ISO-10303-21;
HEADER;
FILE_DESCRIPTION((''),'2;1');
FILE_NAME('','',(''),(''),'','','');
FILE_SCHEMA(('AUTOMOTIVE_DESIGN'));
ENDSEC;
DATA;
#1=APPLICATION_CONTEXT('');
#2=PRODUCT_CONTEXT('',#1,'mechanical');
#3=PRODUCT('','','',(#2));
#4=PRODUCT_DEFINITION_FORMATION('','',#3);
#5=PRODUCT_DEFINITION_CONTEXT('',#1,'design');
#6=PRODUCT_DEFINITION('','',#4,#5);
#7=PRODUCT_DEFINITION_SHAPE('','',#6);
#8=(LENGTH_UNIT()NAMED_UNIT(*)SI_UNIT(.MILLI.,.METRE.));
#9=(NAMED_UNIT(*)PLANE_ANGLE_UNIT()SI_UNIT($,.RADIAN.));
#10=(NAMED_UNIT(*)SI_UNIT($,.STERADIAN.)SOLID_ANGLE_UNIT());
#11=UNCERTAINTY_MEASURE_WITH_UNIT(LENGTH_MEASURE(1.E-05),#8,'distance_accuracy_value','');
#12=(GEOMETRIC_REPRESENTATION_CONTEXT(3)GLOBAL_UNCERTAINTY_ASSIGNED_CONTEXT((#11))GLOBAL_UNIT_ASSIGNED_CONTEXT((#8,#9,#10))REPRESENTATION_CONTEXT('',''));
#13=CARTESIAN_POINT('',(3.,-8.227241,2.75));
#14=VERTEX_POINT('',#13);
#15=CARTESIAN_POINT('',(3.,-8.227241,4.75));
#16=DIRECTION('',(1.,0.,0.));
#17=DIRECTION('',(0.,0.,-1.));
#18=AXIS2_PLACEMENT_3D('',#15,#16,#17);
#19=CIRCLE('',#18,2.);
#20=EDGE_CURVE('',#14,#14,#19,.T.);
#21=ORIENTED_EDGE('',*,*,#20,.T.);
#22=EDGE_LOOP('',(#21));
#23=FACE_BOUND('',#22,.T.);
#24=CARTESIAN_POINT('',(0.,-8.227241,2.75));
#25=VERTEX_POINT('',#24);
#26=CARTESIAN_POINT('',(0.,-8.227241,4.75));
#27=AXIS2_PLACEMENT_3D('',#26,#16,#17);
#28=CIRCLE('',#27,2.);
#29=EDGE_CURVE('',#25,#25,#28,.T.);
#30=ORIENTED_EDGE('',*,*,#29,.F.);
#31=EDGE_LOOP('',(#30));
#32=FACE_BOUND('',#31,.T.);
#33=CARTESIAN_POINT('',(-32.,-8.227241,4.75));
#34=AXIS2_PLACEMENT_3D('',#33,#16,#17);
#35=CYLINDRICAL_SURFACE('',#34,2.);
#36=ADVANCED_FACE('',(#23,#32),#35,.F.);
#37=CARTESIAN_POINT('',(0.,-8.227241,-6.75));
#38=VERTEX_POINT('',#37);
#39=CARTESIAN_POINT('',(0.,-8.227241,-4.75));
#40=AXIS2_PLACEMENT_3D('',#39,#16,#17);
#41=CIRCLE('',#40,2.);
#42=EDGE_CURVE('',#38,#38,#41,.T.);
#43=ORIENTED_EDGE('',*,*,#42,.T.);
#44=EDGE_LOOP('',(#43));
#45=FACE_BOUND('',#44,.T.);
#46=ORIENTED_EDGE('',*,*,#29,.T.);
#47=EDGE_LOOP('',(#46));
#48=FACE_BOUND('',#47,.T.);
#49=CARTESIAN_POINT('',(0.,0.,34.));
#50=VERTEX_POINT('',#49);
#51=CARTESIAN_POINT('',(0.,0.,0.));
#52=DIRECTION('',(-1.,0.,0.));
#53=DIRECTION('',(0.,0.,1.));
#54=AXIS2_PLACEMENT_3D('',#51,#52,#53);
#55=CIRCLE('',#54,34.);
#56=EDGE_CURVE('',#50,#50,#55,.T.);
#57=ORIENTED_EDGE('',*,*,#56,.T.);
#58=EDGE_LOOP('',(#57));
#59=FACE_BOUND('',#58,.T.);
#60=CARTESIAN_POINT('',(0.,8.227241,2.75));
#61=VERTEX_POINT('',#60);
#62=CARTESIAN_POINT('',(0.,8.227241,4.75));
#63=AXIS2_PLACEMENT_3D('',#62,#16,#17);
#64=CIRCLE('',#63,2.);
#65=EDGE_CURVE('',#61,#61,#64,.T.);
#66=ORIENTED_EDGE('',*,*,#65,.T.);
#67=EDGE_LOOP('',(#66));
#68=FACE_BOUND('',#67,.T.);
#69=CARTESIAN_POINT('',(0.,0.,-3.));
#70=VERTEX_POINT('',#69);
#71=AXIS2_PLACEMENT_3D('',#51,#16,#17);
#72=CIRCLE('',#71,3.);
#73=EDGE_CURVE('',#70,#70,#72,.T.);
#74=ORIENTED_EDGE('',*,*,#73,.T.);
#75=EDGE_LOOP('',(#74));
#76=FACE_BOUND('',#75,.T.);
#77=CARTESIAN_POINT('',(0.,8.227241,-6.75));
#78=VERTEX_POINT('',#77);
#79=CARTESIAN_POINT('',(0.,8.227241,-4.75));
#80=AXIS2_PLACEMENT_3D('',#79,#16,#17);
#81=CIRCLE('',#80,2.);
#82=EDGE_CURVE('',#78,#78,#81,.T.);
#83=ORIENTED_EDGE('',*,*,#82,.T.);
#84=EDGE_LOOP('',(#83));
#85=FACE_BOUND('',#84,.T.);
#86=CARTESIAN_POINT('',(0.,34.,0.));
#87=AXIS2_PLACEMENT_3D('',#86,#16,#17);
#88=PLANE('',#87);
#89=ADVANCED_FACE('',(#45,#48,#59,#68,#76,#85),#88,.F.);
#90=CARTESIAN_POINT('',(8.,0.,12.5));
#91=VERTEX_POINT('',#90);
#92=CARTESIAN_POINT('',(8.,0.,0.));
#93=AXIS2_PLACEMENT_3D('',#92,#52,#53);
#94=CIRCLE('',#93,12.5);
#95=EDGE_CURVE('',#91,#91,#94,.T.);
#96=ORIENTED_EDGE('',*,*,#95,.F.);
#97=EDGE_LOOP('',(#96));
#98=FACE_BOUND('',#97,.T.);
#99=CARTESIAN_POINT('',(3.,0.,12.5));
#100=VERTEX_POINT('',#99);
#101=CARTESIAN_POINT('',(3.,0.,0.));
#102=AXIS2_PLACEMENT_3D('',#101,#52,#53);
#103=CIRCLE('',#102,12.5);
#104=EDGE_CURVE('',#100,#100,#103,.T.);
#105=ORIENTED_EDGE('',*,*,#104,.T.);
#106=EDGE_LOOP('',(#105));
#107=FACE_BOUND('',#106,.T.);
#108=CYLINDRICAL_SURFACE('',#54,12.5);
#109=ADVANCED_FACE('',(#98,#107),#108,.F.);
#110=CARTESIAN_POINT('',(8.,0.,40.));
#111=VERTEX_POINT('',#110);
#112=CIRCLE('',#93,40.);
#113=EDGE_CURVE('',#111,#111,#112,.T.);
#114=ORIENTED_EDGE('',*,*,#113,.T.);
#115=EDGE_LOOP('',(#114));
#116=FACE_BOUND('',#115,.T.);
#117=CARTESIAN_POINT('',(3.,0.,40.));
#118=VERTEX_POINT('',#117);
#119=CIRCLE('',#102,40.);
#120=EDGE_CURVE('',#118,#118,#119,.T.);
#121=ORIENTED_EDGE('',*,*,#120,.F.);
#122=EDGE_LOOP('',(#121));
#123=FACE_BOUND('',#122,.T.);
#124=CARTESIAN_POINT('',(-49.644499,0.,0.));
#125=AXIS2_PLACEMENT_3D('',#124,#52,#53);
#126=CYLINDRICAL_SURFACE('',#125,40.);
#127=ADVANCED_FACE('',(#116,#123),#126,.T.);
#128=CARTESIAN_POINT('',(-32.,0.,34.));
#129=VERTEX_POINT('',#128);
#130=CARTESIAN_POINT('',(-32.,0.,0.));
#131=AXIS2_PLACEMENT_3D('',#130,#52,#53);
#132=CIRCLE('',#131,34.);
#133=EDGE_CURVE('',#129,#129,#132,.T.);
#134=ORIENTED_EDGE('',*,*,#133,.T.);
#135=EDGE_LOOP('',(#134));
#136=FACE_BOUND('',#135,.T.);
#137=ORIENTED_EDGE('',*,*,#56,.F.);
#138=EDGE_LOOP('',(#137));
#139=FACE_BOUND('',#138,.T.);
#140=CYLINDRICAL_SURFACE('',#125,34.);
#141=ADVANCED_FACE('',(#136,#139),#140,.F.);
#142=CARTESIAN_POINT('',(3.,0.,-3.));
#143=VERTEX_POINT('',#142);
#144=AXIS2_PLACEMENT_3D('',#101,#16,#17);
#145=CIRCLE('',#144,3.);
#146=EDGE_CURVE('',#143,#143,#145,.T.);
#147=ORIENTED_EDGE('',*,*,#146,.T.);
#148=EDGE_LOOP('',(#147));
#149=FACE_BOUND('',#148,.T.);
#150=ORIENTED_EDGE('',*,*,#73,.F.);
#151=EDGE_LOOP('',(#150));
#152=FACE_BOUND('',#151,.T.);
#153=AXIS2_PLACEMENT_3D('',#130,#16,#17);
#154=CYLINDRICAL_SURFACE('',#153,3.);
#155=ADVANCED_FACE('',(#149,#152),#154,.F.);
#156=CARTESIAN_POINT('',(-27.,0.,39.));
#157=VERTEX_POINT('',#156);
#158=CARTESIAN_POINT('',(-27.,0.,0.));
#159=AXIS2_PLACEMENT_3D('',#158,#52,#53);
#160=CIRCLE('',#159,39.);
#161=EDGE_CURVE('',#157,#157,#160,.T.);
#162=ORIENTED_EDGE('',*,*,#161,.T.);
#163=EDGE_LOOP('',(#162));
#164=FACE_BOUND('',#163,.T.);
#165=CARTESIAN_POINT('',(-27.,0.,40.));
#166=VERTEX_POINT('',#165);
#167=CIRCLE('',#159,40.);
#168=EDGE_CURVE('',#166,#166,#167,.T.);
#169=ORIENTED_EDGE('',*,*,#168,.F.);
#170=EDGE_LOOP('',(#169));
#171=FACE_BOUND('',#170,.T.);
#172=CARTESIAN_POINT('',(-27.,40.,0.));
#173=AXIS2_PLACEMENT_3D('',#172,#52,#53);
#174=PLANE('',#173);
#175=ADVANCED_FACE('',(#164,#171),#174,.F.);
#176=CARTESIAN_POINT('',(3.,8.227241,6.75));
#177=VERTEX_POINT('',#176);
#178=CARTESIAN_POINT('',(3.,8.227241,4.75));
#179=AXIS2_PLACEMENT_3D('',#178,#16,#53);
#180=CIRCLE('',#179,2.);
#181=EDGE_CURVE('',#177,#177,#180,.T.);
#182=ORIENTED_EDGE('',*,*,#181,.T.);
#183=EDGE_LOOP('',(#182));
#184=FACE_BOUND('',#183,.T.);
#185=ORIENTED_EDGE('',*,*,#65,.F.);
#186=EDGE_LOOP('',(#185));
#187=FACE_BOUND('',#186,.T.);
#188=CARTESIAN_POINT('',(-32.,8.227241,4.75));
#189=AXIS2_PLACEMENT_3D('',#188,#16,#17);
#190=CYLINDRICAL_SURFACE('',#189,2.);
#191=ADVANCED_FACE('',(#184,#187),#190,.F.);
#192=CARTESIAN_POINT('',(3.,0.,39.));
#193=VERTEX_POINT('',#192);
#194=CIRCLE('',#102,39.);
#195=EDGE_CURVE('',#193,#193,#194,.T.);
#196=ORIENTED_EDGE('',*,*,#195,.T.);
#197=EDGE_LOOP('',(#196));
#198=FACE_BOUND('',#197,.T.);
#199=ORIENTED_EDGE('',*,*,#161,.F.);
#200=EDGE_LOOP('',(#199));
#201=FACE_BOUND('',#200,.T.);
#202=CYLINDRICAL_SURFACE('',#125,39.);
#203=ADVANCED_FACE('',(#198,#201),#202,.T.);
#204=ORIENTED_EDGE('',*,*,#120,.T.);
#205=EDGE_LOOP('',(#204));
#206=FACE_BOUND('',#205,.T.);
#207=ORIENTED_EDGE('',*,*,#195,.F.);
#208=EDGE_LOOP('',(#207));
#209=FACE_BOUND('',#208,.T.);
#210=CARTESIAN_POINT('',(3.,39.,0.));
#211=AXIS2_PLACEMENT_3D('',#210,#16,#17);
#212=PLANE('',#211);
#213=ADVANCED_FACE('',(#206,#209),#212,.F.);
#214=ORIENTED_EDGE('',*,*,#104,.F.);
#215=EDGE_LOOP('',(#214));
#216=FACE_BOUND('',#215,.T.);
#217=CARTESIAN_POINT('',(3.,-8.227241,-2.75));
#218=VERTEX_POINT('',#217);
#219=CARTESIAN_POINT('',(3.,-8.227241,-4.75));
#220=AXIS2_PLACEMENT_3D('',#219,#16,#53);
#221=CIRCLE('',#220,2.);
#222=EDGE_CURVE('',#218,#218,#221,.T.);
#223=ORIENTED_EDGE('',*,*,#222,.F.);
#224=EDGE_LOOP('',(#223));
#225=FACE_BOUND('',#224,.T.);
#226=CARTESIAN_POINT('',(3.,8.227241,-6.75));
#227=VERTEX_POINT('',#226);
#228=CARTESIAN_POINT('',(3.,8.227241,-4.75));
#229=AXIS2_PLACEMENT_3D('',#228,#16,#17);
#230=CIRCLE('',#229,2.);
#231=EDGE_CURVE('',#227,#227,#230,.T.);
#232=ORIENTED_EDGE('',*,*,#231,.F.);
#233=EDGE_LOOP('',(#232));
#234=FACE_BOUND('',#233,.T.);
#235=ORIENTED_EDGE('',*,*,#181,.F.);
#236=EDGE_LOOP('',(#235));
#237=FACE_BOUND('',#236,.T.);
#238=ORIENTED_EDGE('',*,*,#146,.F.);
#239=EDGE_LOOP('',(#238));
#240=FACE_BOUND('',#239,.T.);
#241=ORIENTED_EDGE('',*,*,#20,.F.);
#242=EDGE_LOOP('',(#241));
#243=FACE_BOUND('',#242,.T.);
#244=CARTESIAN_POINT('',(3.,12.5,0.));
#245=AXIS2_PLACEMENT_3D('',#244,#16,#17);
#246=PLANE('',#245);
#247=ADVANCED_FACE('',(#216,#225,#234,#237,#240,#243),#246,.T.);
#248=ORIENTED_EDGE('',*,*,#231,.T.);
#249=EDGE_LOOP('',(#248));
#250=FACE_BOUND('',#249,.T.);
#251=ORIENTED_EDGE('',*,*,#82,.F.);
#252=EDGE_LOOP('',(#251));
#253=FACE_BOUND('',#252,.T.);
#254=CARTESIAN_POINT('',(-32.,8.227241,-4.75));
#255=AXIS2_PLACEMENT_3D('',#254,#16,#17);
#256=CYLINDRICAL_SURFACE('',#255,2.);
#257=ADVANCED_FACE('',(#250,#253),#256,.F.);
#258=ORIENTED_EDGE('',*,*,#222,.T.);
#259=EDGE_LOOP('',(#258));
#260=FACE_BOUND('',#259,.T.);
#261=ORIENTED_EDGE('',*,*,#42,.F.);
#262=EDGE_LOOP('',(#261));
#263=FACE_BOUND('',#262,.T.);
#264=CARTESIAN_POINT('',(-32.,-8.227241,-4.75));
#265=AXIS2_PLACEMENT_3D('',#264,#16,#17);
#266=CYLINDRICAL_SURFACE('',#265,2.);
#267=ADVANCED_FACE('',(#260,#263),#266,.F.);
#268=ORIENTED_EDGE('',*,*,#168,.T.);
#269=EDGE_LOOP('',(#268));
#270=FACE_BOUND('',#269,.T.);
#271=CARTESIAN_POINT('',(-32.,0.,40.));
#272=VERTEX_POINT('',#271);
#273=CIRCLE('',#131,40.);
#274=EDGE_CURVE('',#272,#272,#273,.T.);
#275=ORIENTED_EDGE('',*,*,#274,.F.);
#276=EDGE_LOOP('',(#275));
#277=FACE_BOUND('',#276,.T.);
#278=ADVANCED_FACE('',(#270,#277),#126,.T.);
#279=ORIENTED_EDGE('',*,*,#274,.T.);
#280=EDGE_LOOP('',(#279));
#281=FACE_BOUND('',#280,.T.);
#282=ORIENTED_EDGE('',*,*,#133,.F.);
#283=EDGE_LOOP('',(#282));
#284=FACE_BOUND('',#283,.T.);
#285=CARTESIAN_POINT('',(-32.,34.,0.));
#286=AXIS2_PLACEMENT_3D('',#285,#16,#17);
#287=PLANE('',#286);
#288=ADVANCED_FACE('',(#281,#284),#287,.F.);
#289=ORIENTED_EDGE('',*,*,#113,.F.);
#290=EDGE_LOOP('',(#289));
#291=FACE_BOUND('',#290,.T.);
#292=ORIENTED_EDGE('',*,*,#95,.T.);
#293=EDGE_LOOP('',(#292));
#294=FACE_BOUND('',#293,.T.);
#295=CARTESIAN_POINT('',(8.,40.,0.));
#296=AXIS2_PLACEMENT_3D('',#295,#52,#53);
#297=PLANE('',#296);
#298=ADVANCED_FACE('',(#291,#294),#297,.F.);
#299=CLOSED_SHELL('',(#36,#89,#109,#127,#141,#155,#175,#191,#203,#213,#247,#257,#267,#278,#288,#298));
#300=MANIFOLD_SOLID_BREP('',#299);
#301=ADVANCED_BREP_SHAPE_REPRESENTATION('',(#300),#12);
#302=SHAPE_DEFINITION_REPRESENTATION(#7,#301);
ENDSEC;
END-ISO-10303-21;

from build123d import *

# Parameters (mm, degrees)
ESQUISSE2_W             = 5
ESQUISSE2_H             = 12.5
ESQUISSE3_R             = 2
ENL_V_MAT_EXTRU_1_DEPTH = 36
ESQUISSE4_R             = 3
ENL_V_MAT_EXTRU_2_DEPTH = 36


with BuildPart() as part:
    # Esquisse1 → Révolution1 (revolve)
    with BuildSketch(Plane.XY):
        Polygon((0, 34), (0, 0), (8, 0), (8, 40), (3, 40), (3, 39), (-27, 39), (-27, 40), (-32, 40), (-32, 34), align=None)
    revolve(axis=Axis((-49.644499027, 0, 0), (1, 0, 0)))

    # Esquisse2 → Enlèvement de matière-Révolution1 (revolve, cut)
    with BuildSketch(Plane.XY):
        with Locations((5.5, 6.25)):
            Rectangle(ESQUISSE2_W, ESQUISSE2_H)
    revolve(axis=Axis((0, 0, 0), (1, 0, 0)), mode=Mode.SUBTRACT)

    # Esquisse3 → Enlèv. mat.-Extru.1 (cut, through all)
    with BuildSketch(Plane(origin=(3, 0, 0), x_dir=(0, 0, -1), z_dir=(1, 0, 0))):
        with Locations((4.75, 8.227241336)):
            Circle(ESQUISSE3_R)
        with Locations((-4.75, 8.227241336)):
            Circle(ESQUISSE3_R)
        with Locations((4.75, -8.227241336)):
            Circle(ESQUISSE3_R)
        with Locations((-4.75, -8.227241336)):
            Circle(ESQUISSE3_R)
    extrude(amount=-ENL_V_MAT_EXTRU_1_DEPTH, mode=Mode.SUBTRACT)

    # Esquisse4 → Enlèv. mat.-Extru.2 (cut, through all)
    with BuildSketch(Plane(origin=(3, 0, 0), x_dir=(0, 0, -1), z_dir=(1, 0, 0))):
        Circle(ESQUISSE4_R)
    extrude(amount=-ENL_V_MAT_EXTRU_2_DEPTH, mode=Mode.SUBTRACT)


solid = part.part
